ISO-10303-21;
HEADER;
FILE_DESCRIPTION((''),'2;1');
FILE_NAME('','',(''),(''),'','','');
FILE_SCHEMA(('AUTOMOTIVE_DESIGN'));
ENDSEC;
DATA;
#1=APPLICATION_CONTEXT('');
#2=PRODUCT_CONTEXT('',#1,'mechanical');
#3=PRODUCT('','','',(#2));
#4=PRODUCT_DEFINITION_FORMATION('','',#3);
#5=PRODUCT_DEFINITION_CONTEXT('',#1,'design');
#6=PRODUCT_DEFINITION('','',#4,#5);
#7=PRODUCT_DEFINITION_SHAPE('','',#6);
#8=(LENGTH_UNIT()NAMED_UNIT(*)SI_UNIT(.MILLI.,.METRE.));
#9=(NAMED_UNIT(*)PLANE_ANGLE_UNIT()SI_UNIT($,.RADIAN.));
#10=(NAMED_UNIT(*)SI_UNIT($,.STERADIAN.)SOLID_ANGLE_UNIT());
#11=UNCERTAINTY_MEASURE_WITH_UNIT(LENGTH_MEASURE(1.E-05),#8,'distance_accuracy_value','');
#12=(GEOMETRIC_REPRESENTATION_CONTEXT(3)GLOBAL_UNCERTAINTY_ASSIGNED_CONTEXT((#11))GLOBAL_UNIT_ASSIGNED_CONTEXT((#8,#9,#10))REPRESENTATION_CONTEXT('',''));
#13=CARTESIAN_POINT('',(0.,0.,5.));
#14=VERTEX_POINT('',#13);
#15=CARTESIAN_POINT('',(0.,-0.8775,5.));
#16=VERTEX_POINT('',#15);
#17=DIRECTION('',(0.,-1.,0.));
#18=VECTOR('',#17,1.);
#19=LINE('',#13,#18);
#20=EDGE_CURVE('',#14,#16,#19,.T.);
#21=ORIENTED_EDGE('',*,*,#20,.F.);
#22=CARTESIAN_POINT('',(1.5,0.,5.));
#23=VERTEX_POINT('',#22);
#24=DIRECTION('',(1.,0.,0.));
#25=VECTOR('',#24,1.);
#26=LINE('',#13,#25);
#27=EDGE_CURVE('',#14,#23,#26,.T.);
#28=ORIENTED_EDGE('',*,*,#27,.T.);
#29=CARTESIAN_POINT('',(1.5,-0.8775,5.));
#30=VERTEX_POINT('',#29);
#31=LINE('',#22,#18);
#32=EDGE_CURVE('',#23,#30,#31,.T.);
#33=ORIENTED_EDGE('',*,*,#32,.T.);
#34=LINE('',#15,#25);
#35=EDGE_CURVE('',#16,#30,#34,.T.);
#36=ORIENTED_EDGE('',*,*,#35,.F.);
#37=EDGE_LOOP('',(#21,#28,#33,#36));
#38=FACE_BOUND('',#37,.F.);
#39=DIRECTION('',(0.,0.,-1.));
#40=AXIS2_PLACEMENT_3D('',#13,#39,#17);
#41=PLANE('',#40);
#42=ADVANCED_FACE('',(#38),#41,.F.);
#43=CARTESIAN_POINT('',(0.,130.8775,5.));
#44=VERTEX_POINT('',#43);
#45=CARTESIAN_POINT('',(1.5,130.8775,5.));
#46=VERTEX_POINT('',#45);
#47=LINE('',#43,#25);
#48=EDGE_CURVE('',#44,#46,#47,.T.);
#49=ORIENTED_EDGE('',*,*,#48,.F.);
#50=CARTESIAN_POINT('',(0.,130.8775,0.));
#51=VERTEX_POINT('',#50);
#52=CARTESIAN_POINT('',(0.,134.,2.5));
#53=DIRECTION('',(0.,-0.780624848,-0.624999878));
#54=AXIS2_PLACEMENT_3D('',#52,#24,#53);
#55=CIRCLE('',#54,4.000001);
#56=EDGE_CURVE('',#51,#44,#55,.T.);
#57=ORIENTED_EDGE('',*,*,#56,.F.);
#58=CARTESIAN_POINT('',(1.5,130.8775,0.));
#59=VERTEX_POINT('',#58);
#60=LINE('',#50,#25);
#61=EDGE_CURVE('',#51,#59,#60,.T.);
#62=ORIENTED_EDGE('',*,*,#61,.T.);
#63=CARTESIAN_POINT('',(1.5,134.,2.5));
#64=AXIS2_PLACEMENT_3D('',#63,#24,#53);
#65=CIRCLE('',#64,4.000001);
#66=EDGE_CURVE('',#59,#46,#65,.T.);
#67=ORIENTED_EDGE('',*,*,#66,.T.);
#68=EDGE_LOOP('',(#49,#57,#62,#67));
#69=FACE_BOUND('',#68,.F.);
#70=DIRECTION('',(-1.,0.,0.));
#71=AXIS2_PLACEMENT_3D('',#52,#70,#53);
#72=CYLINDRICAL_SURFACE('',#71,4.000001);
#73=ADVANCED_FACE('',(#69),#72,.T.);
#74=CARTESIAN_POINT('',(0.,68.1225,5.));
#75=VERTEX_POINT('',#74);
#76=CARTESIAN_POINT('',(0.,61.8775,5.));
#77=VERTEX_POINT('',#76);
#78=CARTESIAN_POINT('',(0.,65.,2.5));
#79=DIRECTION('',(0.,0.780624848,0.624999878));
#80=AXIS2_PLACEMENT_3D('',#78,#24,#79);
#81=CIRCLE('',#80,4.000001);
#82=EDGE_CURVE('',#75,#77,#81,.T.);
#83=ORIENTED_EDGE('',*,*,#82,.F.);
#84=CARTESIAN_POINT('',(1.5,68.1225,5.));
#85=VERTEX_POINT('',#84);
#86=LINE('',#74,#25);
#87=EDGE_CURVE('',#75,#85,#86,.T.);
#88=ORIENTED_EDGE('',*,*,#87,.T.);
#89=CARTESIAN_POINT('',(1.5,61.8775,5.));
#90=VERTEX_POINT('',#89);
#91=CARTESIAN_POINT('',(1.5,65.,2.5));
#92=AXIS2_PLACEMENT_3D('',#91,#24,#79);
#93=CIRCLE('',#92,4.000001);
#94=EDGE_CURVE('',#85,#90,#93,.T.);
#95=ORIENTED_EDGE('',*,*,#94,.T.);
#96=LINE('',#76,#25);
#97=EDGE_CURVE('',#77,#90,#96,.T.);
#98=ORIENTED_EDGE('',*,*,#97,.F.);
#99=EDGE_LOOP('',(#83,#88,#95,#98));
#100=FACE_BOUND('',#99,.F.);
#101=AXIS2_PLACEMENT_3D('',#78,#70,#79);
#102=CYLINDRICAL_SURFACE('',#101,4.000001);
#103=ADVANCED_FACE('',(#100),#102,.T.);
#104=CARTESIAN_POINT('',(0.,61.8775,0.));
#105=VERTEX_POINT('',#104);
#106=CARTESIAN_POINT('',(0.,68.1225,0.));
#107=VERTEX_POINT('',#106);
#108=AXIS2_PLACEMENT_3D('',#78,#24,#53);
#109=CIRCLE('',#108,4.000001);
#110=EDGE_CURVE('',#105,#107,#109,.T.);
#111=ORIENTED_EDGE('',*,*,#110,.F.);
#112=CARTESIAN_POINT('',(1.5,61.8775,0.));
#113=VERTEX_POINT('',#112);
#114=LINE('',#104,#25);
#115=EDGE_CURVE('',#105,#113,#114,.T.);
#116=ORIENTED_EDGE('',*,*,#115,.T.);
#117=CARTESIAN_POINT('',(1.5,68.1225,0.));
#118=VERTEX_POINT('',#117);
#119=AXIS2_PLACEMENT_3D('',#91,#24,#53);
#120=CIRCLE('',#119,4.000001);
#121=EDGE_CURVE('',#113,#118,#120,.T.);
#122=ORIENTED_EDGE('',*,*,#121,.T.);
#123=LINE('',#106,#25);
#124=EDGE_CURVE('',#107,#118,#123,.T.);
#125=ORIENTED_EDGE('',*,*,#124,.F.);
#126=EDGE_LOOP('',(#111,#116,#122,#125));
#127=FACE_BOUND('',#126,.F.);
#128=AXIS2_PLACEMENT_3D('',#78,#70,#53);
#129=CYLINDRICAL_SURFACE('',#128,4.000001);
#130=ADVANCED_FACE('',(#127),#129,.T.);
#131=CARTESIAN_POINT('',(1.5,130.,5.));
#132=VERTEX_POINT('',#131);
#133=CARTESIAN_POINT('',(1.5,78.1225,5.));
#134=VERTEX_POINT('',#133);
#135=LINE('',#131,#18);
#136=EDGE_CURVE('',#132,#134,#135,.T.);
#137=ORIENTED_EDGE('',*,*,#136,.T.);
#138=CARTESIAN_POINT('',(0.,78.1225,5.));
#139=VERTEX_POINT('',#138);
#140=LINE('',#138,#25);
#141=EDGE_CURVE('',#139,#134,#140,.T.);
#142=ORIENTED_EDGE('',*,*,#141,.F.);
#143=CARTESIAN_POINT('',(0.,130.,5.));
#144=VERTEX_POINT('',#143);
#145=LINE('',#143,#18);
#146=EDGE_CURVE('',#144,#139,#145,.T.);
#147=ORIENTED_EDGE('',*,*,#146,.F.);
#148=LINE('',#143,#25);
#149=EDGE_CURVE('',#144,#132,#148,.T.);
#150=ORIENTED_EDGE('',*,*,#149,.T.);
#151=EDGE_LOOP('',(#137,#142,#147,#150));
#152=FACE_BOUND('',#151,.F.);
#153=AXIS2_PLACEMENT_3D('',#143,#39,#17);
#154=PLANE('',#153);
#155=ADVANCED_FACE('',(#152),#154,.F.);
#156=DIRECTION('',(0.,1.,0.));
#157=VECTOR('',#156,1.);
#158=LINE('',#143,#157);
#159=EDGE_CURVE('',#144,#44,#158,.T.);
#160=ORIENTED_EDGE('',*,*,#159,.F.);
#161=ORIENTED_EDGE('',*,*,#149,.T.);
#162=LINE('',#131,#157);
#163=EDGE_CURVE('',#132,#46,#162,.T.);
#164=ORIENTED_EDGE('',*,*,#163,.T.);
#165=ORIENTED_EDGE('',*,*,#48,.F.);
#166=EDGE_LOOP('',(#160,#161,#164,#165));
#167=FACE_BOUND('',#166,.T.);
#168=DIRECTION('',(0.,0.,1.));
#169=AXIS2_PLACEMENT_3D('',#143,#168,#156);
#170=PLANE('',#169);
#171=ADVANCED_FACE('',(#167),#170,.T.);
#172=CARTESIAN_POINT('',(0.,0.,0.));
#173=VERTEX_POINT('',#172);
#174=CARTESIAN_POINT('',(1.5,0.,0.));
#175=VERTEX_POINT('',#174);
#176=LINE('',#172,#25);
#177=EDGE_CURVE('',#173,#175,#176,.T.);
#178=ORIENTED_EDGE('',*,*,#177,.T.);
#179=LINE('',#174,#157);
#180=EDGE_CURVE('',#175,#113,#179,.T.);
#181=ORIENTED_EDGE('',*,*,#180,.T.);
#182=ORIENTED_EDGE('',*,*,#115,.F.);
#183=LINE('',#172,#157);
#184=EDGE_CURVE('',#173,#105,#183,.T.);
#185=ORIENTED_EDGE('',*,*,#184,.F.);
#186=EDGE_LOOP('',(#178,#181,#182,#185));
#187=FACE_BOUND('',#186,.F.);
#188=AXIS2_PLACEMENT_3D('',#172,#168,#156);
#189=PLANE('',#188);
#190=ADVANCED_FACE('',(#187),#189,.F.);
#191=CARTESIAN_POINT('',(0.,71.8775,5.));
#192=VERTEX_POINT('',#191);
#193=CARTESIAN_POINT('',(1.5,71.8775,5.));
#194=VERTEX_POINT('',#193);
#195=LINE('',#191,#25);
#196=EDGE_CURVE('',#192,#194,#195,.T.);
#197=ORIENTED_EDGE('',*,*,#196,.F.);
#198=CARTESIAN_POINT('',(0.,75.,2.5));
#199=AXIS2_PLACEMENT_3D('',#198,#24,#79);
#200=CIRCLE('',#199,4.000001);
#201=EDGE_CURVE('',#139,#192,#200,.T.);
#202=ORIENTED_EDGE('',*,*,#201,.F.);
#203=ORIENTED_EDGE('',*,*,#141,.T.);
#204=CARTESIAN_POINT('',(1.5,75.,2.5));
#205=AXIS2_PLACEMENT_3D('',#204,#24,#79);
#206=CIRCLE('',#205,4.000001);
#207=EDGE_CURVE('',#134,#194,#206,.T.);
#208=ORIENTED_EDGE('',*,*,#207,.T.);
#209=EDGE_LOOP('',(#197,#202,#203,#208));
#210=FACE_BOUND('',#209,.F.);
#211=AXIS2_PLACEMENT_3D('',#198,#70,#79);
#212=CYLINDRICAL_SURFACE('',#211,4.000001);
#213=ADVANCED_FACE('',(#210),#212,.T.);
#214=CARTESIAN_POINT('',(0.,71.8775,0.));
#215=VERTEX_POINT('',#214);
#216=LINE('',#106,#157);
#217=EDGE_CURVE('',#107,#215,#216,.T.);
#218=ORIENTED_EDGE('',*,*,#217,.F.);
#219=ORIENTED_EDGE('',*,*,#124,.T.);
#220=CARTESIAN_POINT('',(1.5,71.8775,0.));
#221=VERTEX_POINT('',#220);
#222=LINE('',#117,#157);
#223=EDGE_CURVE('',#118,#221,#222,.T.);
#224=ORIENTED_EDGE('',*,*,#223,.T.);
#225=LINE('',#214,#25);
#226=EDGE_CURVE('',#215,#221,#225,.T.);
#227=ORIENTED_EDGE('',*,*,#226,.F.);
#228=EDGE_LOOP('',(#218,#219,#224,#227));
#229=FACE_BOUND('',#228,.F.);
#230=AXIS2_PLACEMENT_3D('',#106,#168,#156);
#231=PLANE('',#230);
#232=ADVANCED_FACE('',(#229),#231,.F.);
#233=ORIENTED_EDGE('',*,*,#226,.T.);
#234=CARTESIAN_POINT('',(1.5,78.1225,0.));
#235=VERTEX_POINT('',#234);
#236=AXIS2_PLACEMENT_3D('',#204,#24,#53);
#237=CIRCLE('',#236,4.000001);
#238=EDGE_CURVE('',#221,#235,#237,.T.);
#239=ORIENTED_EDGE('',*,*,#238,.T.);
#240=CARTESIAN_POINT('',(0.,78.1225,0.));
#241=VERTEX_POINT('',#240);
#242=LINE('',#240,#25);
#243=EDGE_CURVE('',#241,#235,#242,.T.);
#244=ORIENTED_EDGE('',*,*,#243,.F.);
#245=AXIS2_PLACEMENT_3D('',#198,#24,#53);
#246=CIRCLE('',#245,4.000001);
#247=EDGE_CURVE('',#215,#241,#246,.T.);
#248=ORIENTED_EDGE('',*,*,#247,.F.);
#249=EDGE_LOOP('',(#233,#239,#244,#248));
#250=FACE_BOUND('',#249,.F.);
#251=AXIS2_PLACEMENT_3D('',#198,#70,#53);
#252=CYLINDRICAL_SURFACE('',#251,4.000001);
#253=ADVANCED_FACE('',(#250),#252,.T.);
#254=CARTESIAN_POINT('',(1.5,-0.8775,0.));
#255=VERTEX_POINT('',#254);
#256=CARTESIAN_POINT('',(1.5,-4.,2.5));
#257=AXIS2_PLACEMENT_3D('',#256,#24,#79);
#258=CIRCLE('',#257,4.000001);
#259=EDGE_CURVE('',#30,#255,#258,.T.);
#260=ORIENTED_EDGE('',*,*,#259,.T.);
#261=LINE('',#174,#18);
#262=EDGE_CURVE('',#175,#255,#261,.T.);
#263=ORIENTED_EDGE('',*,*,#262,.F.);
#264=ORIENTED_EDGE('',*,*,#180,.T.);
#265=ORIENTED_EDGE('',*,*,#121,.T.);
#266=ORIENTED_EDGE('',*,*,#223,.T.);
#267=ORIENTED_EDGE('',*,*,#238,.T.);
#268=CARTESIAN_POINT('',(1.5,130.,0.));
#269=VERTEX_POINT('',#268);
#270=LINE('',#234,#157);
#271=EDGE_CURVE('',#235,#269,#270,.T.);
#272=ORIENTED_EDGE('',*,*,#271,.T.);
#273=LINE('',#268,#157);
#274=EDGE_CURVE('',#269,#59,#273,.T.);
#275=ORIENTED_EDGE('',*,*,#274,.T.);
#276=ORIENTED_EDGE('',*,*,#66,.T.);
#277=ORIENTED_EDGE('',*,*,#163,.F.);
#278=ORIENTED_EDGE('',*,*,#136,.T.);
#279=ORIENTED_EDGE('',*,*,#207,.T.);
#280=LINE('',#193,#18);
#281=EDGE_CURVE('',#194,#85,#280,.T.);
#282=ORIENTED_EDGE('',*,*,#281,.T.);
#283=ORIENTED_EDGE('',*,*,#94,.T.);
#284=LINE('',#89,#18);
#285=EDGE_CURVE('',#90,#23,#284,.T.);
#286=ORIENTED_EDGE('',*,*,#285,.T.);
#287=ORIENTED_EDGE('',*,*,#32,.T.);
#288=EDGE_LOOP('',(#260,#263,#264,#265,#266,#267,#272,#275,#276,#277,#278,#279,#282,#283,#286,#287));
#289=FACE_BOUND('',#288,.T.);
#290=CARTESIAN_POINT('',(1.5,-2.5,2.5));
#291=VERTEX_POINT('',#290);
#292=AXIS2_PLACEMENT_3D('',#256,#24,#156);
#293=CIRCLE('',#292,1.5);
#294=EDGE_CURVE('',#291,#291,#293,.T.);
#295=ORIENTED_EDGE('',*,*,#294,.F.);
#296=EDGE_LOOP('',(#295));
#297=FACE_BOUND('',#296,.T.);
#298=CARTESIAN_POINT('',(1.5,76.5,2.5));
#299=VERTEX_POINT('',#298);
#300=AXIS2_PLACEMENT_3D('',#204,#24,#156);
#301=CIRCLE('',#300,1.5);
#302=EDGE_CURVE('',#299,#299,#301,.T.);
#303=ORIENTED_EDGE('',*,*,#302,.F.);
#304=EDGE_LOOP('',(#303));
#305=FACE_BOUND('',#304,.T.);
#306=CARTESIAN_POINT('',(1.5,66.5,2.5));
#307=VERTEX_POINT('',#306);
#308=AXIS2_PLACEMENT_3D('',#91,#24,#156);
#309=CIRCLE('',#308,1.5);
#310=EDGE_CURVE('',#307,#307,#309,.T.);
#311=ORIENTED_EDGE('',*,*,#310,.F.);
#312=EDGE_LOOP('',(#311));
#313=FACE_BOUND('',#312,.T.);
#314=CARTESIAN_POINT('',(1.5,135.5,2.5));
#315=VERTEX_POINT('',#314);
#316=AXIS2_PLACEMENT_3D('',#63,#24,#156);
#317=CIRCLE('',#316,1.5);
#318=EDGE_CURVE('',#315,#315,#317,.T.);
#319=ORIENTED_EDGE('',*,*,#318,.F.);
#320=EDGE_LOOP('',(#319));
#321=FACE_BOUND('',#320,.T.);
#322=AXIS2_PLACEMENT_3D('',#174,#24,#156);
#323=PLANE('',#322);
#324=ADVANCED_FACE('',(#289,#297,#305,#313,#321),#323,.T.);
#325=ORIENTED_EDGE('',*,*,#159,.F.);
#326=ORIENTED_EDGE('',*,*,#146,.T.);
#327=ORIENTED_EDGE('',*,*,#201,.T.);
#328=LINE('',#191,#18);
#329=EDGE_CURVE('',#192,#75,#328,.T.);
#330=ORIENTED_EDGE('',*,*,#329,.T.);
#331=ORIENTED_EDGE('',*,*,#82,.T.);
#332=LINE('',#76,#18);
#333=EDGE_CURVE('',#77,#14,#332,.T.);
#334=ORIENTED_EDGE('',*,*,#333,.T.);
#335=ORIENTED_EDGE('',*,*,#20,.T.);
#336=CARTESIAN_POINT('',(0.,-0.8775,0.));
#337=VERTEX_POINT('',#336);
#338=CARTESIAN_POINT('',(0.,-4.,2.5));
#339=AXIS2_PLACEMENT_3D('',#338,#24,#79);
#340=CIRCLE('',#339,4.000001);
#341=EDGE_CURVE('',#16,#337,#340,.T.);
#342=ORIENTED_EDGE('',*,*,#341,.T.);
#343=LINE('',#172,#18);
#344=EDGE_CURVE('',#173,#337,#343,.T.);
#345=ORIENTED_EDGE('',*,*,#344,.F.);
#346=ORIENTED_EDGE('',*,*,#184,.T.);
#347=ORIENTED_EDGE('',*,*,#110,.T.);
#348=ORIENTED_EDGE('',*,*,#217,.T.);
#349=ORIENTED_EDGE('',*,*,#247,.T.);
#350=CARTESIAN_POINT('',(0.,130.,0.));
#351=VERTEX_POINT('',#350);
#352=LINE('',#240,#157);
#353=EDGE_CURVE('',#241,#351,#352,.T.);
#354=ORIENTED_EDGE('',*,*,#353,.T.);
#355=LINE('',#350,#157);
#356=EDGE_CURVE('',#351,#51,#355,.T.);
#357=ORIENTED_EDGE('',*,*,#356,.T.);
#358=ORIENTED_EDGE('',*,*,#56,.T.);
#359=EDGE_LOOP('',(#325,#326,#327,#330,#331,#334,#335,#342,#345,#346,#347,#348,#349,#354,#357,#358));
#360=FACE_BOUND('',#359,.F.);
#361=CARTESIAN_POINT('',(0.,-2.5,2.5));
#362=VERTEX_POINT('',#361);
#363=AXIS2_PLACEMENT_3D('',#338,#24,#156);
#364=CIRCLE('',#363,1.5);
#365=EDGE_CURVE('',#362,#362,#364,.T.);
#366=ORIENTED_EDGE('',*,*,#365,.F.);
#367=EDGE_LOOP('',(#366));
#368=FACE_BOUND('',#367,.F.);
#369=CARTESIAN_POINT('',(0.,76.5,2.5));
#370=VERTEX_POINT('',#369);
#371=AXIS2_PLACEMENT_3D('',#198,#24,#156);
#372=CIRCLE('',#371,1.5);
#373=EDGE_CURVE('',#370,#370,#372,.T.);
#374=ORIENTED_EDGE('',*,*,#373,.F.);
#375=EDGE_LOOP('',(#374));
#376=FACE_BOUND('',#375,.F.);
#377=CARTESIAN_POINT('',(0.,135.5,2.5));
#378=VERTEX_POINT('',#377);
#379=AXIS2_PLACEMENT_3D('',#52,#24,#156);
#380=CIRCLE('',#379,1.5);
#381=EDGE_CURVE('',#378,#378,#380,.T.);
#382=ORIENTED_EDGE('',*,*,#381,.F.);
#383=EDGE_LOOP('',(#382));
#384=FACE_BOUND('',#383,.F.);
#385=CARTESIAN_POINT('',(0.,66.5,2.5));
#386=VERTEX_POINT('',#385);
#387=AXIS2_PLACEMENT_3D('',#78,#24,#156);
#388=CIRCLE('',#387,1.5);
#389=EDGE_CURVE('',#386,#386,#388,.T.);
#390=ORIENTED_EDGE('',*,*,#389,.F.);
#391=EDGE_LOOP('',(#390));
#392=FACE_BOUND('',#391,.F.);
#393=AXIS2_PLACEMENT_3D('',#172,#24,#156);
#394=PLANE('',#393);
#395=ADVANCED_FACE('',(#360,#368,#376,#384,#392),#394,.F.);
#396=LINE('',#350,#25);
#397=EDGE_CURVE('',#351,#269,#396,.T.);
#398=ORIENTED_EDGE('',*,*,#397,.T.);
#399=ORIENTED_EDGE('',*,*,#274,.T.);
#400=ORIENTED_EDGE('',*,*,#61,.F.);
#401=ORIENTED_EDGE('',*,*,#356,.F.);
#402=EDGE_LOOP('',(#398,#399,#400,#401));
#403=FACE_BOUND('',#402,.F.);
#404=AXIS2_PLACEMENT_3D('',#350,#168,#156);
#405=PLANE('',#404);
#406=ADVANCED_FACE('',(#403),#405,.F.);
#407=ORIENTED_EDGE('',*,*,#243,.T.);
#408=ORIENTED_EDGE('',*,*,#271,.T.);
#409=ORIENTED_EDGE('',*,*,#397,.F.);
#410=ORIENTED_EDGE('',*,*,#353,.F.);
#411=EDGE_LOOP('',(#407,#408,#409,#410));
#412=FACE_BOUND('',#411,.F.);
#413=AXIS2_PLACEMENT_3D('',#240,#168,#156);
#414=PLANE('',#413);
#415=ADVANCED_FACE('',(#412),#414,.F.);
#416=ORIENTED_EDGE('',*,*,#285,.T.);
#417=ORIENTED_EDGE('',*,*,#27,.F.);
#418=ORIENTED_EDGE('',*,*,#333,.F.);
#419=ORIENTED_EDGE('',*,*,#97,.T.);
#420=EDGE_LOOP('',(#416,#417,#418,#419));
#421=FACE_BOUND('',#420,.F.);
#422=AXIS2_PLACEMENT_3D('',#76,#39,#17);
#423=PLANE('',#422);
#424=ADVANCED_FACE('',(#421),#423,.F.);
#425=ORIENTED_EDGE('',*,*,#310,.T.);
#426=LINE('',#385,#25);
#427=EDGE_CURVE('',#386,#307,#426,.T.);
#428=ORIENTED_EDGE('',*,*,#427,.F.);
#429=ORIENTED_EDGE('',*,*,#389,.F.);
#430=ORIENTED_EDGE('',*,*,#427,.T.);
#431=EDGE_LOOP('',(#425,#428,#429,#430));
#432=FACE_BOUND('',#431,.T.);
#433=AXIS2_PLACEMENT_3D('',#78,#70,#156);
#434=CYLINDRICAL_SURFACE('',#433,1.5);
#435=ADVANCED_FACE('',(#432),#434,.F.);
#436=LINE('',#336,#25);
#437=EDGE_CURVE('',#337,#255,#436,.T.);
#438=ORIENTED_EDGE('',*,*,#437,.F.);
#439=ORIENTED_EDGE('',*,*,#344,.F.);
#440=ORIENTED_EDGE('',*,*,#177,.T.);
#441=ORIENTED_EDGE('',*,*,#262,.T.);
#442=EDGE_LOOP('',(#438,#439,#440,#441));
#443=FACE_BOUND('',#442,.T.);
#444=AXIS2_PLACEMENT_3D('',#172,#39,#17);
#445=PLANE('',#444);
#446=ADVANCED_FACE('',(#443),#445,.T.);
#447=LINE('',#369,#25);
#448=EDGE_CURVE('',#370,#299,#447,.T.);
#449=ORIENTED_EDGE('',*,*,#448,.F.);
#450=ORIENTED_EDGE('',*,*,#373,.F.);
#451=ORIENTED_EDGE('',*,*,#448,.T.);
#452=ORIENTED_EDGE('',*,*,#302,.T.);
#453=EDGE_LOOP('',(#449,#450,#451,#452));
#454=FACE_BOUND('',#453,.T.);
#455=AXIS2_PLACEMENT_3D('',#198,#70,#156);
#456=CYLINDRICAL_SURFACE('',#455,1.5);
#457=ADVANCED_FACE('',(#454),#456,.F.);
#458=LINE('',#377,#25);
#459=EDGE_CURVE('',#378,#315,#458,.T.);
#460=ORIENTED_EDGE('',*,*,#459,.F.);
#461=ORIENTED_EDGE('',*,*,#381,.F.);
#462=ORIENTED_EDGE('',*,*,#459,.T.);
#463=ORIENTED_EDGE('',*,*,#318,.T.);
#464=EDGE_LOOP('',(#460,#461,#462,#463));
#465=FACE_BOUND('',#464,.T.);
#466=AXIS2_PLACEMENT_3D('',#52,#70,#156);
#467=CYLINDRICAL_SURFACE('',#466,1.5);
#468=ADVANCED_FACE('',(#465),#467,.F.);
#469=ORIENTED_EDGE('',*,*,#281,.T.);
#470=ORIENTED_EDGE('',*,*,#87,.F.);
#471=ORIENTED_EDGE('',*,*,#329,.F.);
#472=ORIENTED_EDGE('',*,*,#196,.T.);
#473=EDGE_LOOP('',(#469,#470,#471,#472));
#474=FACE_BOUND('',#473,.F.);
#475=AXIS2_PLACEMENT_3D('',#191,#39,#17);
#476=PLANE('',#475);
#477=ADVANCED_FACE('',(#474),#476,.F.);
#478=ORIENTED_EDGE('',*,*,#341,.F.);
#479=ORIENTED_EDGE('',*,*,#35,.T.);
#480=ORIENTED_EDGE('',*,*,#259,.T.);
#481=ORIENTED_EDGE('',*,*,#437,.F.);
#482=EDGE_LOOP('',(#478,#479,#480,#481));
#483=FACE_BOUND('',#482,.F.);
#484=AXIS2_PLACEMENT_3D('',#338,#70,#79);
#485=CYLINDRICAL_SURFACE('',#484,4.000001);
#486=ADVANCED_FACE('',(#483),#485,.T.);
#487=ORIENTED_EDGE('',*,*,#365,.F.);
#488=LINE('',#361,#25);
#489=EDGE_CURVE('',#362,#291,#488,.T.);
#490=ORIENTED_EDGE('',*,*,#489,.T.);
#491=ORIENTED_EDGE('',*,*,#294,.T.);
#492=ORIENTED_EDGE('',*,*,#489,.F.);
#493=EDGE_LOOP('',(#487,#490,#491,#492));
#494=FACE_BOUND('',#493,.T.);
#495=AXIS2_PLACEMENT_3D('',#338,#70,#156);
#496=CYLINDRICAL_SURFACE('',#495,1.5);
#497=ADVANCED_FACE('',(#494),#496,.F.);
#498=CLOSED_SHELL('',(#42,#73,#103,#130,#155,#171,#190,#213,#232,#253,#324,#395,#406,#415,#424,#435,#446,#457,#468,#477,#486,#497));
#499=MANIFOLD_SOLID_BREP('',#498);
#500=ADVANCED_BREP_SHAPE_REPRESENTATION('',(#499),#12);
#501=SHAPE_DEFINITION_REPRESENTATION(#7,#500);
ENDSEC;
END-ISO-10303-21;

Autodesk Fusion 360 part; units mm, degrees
sketch "Boceto1" plane through (0, 0, 0) normal (1, 0, 0) x (0, 1, 0)
  line L0 (0, 0) -> (-0.8775, 0)
  line L1 (0, 5) -> (-0.8775, 5)
  line L2 (130, 0) -> (130.8775, 0)
  line L3 (130, 5) -> (130.8775, 5)
  arc A0 (-0.8775, 5) -> (-0.8775, 0) centre (-4, 2.5) ccw
  line L4 (78.1225, 0) -> (130, 0)
  line L5 (130, 5) -> (78.1225, 5)
  line L6 (75.0004, 5) -> (74.9996, 5)
  arc A1 (78.1225, 5) -> (71.8775, 5) centre (75, 2.5) ccw
  arc A2 (71.8775, 0) -> (78.1225, 0) centre (75, 2.5) ccw
  arc A3 (130.8775, 0) -> (130.8775, 5) centre (134, 2.5) ccw
  line L7 (0, 0) -> (61.8775, 0)
  line L8 (71.8775, 5) -> (68.1225, 5)
  line L9 (61.8775, 5) -> (0, 5)
  arc A4 (61.8775, 0) -> (68.1225, 0) centre (65, 2.5) ccw
  arc A5 (68.1225, 5) -> (61.8775, 5) centre (65, 2.5) ccw
  line L10 (0, 0) -> (65, 0)
  line L11 (68.1225, 0) -> (71.8775, 0)
  line L12 (0, 0) -> (61.8775, 0)
  line L13 (68.1225, 0) -> (71.8775, 0)
  circle A6 centre (-4, 2.5) radius 1.5
  circle A7 centre (65, 2.5) radius 1.5
  circle A8 centre (75, 2.5) radius 1.5
  circle A9 centre (134, 2.5) radius 1.5
  dimension "d1" = 130
  dimension "d2" = 5
  dimension "d7" = 8
  dimension "d9" = 65
  dimension "d10" = 2.5
  dimension "d11" = 8
  dimension "d15" = 3
  dimension "d16" = 3
  dimension "d17" = 3
  dimension "d18" = 3
extrude "Extruir2" add sketch "Boceto1" along normal blind 1.5
